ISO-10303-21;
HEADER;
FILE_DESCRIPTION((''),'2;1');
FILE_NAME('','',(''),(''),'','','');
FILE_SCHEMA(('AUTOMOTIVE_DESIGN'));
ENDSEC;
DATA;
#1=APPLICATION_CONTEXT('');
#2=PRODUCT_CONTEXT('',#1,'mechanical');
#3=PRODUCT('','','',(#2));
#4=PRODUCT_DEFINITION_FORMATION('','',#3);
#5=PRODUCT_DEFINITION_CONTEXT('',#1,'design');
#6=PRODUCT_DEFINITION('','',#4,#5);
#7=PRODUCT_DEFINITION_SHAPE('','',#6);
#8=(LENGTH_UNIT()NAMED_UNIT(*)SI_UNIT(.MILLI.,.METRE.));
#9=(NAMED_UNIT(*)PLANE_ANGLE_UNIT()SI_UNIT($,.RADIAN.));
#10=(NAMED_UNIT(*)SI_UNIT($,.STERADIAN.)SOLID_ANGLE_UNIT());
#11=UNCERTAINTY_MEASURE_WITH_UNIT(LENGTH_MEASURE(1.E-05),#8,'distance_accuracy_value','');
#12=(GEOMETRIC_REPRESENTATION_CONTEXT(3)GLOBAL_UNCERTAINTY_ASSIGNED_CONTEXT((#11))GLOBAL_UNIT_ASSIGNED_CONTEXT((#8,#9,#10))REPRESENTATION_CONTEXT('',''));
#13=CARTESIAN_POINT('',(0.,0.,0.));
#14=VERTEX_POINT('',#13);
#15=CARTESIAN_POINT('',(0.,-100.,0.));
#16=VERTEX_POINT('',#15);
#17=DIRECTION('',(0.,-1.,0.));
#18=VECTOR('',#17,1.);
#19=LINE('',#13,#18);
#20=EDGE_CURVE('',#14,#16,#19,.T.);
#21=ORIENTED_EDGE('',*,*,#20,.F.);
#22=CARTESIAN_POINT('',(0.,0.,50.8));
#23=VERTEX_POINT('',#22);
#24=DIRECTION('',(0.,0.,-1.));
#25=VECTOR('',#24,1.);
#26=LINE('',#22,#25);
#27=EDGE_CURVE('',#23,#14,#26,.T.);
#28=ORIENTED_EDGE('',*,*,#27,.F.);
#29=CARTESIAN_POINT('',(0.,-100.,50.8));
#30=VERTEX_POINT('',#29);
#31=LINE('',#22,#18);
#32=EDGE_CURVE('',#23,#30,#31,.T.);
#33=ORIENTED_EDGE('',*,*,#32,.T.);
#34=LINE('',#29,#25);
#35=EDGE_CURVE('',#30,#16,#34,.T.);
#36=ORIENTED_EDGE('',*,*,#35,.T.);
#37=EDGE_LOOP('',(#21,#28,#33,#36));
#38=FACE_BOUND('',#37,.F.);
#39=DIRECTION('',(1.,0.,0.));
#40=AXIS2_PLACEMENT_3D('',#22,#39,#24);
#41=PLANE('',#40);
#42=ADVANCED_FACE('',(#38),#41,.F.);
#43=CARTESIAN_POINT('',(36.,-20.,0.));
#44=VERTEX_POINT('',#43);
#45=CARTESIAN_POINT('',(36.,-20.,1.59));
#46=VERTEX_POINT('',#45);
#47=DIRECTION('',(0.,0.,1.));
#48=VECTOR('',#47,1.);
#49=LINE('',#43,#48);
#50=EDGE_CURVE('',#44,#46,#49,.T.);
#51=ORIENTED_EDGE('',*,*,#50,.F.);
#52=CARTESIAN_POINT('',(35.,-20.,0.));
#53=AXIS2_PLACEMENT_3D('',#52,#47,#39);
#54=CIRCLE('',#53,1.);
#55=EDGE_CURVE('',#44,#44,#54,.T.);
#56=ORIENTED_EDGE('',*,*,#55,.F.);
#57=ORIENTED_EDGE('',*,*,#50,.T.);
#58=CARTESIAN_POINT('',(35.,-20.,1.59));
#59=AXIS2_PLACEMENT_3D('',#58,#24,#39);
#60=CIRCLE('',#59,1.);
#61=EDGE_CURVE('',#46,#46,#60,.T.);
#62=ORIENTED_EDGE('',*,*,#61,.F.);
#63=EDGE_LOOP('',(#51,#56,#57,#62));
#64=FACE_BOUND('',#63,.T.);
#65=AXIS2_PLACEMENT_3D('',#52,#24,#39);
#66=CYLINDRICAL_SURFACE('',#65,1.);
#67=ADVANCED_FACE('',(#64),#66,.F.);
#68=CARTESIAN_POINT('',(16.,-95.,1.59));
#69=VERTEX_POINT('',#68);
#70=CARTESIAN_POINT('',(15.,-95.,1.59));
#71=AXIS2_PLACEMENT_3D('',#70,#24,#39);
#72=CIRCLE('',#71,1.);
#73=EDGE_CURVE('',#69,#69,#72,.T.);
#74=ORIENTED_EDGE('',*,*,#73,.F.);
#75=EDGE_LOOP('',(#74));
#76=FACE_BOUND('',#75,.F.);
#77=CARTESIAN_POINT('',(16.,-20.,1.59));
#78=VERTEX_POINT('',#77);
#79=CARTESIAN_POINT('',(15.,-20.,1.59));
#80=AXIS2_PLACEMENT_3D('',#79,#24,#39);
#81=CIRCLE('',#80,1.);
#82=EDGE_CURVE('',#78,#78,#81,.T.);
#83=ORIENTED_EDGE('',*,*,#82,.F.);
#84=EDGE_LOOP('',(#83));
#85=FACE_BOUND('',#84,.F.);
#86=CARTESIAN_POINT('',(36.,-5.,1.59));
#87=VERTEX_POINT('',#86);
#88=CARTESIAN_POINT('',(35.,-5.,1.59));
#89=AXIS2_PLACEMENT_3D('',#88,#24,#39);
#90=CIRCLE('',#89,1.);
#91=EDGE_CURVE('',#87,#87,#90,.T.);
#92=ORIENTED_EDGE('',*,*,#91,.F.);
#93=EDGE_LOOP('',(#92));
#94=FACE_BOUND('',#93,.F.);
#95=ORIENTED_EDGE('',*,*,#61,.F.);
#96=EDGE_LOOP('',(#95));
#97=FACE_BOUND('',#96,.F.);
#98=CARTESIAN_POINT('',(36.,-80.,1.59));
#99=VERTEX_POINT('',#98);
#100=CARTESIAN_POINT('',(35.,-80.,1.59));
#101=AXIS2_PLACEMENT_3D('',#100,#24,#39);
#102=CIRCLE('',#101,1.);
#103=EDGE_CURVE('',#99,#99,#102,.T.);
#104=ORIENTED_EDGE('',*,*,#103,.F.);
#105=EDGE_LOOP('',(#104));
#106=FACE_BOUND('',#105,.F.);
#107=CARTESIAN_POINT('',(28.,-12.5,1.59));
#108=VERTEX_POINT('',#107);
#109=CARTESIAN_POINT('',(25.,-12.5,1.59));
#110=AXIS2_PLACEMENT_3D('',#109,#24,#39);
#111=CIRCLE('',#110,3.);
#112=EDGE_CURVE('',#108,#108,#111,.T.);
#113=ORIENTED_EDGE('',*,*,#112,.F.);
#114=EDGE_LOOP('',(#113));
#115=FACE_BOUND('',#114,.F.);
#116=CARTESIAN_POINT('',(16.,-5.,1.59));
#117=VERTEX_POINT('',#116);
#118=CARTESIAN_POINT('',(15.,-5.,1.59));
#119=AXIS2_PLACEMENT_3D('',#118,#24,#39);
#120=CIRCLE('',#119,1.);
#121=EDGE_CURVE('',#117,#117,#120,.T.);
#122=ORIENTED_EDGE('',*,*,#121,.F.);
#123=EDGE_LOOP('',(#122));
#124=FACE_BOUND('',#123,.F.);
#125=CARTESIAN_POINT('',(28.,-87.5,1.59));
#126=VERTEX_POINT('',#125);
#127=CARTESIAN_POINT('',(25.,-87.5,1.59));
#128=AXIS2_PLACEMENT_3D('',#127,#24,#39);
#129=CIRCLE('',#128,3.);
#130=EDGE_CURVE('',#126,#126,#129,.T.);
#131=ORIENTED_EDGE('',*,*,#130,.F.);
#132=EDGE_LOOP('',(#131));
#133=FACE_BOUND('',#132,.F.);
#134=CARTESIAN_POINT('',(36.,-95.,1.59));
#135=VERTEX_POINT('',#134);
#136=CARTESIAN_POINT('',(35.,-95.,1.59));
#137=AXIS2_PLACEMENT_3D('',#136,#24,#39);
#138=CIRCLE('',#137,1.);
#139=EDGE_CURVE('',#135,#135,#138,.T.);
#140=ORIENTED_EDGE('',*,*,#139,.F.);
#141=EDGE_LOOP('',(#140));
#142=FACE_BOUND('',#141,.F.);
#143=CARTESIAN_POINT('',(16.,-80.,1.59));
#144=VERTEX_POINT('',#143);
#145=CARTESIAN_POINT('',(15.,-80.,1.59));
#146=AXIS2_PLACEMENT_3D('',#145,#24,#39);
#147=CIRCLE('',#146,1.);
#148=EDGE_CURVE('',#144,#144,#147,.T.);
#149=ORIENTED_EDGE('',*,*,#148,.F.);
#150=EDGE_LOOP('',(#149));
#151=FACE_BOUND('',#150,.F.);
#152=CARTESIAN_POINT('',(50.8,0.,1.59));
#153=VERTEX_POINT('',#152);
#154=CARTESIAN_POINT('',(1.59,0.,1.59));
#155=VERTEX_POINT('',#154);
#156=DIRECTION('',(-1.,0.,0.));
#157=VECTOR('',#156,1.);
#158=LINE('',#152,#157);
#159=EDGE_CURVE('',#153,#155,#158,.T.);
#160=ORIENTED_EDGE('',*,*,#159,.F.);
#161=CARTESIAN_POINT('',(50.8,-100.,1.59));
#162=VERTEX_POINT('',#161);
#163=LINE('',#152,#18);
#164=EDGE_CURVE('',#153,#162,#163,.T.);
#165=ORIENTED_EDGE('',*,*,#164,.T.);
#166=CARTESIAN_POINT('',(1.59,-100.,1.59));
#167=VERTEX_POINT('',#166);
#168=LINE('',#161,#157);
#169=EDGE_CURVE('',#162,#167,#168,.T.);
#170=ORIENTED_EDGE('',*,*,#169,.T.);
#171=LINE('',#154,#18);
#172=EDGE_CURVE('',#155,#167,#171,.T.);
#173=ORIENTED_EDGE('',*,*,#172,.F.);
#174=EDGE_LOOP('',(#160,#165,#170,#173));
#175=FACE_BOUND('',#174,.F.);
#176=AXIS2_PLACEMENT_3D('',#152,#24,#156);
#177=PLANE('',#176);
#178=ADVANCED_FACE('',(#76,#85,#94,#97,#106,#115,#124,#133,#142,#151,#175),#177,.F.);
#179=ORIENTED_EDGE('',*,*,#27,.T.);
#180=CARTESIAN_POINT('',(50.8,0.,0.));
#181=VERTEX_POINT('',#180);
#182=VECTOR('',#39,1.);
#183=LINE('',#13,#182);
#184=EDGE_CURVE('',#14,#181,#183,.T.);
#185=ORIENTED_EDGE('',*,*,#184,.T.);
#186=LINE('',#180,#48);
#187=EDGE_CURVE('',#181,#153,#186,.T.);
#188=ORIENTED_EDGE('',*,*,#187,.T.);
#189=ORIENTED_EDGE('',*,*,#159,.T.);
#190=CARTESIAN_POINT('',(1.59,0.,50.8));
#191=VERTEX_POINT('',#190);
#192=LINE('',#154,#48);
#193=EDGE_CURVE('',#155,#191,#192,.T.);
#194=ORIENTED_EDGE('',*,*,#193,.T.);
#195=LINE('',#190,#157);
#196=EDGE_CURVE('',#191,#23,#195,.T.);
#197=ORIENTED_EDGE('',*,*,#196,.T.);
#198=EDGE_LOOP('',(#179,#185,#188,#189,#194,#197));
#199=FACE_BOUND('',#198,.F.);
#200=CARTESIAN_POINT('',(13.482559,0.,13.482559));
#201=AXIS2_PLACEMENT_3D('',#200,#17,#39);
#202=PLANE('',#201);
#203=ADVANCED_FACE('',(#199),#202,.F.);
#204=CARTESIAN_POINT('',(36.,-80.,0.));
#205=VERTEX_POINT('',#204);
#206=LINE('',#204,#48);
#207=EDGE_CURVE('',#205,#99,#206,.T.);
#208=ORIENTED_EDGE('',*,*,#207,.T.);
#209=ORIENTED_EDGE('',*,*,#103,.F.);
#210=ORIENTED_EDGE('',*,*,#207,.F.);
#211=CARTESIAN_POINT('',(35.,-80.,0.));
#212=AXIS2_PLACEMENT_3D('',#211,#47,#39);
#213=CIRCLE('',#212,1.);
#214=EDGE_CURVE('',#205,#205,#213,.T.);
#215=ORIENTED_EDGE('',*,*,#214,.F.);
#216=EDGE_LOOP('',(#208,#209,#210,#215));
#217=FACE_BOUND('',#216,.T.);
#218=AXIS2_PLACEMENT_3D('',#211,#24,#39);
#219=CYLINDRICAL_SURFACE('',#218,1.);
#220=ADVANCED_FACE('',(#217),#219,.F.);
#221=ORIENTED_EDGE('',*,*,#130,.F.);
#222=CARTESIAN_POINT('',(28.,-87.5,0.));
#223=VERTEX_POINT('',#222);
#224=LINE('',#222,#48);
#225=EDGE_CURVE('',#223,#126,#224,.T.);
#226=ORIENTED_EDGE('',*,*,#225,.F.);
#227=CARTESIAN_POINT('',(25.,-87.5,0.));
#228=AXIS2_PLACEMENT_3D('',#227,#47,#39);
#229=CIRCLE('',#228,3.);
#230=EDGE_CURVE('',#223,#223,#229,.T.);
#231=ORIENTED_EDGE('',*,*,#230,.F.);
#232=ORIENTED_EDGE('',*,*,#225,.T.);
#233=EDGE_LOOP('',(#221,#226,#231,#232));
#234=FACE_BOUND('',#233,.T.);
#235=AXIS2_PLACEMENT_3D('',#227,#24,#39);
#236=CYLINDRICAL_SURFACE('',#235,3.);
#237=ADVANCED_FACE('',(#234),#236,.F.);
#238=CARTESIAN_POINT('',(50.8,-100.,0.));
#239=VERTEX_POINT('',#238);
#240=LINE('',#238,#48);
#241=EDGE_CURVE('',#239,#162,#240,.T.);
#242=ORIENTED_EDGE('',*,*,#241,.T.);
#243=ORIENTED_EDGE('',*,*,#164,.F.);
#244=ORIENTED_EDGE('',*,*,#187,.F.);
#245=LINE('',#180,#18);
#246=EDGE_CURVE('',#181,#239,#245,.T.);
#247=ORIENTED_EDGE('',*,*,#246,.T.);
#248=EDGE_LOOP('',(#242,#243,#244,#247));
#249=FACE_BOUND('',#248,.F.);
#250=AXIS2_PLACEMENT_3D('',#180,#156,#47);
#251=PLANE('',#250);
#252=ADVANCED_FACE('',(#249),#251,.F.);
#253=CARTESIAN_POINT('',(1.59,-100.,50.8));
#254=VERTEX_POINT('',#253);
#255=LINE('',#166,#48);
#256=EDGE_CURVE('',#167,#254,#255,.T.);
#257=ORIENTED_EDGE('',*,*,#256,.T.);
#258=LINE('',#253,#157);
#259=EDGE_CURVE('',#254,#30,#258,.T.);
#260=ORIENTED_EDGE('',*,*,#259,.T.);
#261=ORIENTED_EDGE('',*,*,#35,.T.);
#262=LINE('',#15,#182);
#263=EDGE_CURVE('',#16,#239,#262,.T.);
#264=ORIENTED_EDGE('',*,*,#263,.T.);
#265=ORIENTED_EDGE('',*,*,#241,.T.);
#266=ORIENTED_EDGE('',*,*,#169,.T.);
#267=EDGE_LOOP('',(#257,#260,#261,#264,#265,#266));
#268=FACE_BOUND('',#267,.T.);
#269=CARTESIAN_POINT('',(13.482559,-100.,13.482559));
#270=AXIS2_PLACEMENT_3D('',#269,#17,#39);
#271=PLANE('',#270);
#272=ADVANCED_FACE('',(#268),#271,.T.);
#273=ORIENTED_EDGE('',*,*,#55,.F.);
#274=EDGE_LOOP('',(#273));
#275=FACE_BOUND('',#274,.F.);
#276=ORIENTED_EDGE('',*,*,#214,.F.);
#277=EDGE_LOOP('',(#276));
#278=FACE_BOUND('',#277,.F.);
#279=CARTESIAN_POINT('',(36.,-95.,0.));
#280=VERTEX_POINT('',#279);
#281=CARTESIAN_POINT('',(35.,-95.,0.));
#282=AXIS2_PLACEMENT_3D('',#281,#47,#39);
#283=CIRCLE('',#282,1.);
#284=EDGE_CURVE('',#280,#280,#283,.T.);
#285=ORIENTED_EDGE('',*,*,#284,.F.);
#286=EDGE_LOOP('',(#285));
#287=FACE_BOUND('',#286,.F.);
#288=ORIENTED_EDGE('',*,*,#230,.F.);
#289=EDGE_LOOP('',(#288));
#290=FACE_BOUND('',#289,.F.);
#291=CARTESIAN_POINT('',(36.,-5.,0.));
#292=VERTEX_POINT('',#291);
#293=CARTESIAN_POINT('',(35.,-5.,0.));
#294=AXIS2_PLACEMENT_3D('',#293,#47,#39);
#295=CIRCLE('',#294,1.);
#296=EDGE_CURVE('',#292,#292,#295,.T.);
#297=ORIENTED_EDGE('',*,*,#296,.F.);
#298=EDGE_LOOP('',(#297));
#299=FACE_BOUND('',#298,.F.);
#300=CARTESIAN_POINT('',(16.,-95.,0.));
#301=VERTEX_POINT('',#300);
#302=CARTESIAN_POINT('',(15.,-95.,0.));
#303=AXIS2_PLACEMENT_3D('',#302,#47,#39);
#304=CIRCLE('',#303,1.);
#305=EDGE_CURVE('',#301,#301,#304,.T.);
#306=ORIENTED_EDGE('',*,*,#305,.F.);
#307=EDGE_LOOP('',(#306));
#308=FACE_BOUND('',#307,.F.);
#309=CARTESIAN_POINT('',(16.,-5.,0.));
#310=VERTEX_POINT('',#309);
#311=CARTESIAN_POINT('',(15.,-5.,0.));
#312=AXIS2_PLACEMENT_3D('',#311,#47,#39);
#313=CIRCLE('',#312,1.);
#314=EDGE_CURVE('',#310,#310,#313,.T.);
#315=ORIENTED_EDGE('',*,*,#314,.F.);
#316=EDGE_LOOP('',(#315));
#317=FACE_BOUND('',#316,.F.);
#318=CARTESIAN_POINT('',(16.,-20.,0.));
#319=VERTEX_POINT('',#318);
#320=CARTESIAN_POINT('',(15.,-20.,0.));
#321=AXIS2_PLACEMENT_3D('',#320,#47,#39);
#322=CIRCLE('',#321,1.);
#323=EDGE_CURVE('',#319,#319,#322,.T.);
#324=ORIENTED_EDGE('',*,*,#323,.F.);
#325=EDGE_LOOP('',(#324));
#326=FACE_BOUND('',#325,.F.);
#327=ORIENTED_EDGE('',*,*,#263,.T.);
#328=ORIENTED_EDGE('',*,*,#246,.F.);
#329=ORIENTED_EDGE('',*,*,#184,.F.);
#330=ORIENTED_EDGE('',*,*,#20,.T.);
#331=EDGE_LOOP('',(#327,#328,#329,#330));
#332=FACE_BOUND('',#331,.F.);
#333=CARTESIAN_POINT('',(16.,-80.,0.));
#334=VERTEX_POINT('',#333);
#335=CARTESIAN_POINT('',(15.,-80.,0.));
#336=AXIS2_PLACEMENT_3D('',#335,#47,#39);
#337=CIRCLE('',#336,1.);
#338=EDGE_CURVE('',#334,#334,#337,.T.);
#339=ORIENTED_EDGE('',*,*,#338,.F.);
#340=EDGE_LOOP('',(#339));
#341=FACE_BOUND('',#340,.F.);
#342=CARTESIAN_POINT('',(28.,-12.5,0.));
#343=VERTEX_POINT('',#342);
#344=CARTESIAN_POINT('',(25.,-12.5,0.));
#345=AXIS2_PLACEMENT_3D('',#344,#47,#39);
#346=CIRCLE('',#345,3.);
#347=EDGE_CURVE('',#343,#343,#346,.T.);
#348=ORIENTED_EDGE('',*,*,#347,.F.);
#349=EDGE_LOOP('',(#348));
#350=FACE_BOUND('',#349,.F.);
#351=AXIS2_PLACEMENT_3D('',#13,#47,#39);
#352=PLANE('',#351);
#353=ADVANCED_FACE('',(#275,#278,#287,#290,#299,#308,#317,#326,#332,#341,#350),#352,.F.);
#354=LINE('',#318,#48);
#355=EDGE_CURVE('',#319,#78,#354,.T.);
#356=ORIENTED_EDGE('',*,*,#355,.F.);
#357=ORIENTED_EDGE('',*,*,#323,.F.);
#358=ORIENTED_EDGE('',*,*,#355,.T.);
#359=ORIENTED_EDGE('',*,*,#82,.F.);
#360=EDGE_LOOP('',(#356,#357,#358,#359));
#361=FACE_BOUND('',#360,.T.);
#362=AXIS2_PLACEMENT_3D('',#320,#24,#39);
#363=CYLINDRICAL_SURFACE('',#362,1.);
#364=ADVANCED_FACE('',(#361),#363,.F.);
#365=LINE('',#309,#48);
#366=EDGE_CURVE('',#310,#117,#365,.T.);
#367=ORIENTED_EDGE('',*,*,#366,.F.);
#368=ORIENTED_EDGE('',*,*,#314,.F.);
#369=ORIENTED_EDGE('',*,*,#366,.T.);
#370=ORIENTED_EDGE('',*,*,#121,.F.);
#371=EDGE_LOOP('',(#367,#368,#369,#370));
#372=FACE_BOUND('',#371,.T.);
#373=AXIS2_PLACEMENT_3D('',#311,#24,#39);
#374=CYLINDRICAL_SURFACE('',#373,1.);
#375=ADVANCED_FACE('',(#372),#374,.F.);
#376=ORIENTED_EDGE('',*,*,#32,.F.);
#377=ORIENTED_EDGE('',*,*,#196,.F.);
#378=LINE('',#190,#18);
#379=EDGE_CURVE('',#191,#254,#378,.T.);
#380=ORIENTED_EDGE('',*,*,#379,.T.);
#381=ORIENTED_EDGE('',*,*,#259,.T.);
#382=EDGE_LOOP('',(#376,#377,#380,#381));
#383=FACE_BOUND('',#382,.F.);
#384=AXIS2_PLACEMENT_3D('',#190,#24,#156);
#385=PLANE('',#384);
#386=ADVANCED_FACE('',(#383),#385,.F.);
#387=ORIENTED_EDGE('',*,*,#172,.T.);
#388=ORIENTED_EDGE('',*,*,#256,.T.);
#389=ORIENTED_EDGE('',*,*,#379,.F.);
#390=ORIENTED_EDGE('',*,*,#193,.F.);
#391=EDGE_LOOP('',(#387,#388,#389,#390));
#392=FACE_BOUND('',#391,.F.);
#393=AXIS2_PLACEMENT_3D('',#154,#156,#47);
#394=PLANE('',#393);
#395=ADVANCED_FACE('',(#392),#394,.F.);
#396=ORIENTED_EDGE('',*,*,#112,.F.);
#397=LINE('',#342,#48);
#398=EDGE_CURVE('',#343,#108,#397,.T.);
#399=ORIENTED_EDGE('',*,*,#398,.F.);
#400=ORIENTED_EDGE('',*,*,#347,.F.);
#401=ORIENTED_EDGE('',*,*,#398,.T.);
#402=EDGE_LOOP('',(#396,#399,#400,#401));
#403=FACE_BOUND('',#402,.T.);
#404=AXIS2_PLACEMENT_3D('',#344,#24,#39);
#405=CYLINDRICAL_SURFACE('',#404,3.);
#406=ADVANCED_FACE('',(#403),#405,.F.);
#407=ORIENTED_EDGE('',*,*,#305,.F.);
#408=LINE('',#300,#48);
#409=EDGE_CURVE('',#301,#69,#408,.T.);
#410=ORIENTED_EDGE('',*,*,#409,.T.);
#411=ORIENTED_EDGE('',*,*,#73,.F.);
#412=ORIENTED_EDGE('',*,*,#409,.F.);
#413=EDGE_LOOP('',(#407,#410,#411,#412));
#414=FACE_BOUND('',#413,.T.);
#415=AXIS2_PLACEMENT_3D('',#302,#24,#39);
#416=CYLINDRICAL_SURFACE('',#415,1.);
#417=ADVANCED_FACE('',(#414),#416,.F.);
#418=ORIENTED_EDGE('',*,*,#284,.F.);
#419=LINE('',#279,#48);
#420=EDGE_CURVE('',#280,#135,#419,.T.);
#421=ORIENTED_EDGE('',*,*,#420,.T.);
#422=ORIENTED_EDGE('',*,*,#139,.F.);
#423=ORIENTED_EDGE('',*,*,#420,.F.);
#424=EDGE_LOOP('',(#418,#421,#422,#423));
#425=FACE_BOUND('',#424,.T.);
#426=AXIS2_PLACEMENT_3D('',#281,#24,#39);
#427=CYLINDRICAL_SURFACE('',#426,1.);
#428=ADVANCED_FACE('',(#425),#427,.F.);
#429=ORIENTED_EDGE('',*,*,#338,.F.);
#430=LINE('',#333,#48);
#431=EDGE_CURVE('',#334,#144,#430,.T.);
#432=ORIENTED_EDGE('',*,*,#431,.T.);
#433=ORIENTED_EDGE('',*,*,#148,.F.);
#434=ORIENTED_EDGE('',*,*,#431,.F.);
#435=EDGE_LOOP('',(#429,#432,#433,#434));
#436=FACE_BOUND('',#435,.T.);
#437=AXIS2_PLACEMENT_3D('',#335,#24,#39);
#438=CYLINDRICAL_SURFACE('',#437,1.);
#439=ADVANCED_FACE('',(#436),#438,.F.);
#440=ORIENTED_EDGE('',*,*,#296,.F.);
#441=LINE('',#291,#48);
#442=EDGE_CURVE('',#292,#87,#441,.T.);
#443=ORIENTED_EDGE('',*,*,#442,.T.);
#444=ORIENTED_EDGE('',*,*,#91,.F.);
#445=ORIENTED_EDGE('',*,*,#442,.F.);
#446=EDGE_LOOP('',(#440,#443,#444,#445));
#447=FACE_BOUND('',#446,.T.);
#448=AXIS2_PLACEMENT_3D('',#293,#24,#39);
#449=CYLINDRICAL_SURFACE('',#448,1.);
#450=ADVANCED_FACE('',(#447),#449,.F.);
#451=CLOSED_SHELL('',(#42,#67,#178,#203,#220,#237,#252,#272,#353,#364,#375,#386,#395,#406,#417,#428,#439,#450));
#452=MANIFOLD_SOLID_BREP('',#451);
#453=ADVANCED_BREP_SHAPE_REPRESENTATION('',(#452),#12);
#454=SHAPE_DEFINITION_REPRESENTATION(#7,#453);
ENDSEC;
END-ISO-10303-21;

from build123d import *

# Parameters (mm, degrees)
F1_DEPTH = 100
F2_R     = 1
F2_R_2   = 3
F3_DEPTH = 50.801


with BuildPart() as f1:
    # F0 (on Front) → F1 (new body)
    with BuildSketch(Plane.XZ):
        Polygon((0, 50.8), (0, 0), (50.8, 0), (50.8, 1.59), (1.59, 1.59), (1.59, 50.8), align=None)
    extrude(amount=F1_DEPTH)

    # F2 (on Top) → F3 (cut, through all)
    with BuildSketch(Plane.XY):
        with Locations((15, -5)):
            Circle(F2_R)
        with Locations((35, -5)):
            Circle(F2_R)
        with Locations((15, -20)):
            Circle(F2_R)
        with Locations((35, -20)):
            Circle(F2_R)
        with Locations((35, -80)):
            Circle(F2_R)
        with Locations((15, -80)):
            Circle(F2_R)
        with Locations((35, -95)):
            Circle(F2_R)
        with Locations((15, -95)):
            Circle(F2_R)
        with Locations((25, -87.5)):
            Circle(F2_R_2)
        with Locations((25, -12.5)):
            Circle(F2_R_2)
    extrude(amount=F3_DEPTH, mode=Mode.SUBTRACT)


solid = f1.part
